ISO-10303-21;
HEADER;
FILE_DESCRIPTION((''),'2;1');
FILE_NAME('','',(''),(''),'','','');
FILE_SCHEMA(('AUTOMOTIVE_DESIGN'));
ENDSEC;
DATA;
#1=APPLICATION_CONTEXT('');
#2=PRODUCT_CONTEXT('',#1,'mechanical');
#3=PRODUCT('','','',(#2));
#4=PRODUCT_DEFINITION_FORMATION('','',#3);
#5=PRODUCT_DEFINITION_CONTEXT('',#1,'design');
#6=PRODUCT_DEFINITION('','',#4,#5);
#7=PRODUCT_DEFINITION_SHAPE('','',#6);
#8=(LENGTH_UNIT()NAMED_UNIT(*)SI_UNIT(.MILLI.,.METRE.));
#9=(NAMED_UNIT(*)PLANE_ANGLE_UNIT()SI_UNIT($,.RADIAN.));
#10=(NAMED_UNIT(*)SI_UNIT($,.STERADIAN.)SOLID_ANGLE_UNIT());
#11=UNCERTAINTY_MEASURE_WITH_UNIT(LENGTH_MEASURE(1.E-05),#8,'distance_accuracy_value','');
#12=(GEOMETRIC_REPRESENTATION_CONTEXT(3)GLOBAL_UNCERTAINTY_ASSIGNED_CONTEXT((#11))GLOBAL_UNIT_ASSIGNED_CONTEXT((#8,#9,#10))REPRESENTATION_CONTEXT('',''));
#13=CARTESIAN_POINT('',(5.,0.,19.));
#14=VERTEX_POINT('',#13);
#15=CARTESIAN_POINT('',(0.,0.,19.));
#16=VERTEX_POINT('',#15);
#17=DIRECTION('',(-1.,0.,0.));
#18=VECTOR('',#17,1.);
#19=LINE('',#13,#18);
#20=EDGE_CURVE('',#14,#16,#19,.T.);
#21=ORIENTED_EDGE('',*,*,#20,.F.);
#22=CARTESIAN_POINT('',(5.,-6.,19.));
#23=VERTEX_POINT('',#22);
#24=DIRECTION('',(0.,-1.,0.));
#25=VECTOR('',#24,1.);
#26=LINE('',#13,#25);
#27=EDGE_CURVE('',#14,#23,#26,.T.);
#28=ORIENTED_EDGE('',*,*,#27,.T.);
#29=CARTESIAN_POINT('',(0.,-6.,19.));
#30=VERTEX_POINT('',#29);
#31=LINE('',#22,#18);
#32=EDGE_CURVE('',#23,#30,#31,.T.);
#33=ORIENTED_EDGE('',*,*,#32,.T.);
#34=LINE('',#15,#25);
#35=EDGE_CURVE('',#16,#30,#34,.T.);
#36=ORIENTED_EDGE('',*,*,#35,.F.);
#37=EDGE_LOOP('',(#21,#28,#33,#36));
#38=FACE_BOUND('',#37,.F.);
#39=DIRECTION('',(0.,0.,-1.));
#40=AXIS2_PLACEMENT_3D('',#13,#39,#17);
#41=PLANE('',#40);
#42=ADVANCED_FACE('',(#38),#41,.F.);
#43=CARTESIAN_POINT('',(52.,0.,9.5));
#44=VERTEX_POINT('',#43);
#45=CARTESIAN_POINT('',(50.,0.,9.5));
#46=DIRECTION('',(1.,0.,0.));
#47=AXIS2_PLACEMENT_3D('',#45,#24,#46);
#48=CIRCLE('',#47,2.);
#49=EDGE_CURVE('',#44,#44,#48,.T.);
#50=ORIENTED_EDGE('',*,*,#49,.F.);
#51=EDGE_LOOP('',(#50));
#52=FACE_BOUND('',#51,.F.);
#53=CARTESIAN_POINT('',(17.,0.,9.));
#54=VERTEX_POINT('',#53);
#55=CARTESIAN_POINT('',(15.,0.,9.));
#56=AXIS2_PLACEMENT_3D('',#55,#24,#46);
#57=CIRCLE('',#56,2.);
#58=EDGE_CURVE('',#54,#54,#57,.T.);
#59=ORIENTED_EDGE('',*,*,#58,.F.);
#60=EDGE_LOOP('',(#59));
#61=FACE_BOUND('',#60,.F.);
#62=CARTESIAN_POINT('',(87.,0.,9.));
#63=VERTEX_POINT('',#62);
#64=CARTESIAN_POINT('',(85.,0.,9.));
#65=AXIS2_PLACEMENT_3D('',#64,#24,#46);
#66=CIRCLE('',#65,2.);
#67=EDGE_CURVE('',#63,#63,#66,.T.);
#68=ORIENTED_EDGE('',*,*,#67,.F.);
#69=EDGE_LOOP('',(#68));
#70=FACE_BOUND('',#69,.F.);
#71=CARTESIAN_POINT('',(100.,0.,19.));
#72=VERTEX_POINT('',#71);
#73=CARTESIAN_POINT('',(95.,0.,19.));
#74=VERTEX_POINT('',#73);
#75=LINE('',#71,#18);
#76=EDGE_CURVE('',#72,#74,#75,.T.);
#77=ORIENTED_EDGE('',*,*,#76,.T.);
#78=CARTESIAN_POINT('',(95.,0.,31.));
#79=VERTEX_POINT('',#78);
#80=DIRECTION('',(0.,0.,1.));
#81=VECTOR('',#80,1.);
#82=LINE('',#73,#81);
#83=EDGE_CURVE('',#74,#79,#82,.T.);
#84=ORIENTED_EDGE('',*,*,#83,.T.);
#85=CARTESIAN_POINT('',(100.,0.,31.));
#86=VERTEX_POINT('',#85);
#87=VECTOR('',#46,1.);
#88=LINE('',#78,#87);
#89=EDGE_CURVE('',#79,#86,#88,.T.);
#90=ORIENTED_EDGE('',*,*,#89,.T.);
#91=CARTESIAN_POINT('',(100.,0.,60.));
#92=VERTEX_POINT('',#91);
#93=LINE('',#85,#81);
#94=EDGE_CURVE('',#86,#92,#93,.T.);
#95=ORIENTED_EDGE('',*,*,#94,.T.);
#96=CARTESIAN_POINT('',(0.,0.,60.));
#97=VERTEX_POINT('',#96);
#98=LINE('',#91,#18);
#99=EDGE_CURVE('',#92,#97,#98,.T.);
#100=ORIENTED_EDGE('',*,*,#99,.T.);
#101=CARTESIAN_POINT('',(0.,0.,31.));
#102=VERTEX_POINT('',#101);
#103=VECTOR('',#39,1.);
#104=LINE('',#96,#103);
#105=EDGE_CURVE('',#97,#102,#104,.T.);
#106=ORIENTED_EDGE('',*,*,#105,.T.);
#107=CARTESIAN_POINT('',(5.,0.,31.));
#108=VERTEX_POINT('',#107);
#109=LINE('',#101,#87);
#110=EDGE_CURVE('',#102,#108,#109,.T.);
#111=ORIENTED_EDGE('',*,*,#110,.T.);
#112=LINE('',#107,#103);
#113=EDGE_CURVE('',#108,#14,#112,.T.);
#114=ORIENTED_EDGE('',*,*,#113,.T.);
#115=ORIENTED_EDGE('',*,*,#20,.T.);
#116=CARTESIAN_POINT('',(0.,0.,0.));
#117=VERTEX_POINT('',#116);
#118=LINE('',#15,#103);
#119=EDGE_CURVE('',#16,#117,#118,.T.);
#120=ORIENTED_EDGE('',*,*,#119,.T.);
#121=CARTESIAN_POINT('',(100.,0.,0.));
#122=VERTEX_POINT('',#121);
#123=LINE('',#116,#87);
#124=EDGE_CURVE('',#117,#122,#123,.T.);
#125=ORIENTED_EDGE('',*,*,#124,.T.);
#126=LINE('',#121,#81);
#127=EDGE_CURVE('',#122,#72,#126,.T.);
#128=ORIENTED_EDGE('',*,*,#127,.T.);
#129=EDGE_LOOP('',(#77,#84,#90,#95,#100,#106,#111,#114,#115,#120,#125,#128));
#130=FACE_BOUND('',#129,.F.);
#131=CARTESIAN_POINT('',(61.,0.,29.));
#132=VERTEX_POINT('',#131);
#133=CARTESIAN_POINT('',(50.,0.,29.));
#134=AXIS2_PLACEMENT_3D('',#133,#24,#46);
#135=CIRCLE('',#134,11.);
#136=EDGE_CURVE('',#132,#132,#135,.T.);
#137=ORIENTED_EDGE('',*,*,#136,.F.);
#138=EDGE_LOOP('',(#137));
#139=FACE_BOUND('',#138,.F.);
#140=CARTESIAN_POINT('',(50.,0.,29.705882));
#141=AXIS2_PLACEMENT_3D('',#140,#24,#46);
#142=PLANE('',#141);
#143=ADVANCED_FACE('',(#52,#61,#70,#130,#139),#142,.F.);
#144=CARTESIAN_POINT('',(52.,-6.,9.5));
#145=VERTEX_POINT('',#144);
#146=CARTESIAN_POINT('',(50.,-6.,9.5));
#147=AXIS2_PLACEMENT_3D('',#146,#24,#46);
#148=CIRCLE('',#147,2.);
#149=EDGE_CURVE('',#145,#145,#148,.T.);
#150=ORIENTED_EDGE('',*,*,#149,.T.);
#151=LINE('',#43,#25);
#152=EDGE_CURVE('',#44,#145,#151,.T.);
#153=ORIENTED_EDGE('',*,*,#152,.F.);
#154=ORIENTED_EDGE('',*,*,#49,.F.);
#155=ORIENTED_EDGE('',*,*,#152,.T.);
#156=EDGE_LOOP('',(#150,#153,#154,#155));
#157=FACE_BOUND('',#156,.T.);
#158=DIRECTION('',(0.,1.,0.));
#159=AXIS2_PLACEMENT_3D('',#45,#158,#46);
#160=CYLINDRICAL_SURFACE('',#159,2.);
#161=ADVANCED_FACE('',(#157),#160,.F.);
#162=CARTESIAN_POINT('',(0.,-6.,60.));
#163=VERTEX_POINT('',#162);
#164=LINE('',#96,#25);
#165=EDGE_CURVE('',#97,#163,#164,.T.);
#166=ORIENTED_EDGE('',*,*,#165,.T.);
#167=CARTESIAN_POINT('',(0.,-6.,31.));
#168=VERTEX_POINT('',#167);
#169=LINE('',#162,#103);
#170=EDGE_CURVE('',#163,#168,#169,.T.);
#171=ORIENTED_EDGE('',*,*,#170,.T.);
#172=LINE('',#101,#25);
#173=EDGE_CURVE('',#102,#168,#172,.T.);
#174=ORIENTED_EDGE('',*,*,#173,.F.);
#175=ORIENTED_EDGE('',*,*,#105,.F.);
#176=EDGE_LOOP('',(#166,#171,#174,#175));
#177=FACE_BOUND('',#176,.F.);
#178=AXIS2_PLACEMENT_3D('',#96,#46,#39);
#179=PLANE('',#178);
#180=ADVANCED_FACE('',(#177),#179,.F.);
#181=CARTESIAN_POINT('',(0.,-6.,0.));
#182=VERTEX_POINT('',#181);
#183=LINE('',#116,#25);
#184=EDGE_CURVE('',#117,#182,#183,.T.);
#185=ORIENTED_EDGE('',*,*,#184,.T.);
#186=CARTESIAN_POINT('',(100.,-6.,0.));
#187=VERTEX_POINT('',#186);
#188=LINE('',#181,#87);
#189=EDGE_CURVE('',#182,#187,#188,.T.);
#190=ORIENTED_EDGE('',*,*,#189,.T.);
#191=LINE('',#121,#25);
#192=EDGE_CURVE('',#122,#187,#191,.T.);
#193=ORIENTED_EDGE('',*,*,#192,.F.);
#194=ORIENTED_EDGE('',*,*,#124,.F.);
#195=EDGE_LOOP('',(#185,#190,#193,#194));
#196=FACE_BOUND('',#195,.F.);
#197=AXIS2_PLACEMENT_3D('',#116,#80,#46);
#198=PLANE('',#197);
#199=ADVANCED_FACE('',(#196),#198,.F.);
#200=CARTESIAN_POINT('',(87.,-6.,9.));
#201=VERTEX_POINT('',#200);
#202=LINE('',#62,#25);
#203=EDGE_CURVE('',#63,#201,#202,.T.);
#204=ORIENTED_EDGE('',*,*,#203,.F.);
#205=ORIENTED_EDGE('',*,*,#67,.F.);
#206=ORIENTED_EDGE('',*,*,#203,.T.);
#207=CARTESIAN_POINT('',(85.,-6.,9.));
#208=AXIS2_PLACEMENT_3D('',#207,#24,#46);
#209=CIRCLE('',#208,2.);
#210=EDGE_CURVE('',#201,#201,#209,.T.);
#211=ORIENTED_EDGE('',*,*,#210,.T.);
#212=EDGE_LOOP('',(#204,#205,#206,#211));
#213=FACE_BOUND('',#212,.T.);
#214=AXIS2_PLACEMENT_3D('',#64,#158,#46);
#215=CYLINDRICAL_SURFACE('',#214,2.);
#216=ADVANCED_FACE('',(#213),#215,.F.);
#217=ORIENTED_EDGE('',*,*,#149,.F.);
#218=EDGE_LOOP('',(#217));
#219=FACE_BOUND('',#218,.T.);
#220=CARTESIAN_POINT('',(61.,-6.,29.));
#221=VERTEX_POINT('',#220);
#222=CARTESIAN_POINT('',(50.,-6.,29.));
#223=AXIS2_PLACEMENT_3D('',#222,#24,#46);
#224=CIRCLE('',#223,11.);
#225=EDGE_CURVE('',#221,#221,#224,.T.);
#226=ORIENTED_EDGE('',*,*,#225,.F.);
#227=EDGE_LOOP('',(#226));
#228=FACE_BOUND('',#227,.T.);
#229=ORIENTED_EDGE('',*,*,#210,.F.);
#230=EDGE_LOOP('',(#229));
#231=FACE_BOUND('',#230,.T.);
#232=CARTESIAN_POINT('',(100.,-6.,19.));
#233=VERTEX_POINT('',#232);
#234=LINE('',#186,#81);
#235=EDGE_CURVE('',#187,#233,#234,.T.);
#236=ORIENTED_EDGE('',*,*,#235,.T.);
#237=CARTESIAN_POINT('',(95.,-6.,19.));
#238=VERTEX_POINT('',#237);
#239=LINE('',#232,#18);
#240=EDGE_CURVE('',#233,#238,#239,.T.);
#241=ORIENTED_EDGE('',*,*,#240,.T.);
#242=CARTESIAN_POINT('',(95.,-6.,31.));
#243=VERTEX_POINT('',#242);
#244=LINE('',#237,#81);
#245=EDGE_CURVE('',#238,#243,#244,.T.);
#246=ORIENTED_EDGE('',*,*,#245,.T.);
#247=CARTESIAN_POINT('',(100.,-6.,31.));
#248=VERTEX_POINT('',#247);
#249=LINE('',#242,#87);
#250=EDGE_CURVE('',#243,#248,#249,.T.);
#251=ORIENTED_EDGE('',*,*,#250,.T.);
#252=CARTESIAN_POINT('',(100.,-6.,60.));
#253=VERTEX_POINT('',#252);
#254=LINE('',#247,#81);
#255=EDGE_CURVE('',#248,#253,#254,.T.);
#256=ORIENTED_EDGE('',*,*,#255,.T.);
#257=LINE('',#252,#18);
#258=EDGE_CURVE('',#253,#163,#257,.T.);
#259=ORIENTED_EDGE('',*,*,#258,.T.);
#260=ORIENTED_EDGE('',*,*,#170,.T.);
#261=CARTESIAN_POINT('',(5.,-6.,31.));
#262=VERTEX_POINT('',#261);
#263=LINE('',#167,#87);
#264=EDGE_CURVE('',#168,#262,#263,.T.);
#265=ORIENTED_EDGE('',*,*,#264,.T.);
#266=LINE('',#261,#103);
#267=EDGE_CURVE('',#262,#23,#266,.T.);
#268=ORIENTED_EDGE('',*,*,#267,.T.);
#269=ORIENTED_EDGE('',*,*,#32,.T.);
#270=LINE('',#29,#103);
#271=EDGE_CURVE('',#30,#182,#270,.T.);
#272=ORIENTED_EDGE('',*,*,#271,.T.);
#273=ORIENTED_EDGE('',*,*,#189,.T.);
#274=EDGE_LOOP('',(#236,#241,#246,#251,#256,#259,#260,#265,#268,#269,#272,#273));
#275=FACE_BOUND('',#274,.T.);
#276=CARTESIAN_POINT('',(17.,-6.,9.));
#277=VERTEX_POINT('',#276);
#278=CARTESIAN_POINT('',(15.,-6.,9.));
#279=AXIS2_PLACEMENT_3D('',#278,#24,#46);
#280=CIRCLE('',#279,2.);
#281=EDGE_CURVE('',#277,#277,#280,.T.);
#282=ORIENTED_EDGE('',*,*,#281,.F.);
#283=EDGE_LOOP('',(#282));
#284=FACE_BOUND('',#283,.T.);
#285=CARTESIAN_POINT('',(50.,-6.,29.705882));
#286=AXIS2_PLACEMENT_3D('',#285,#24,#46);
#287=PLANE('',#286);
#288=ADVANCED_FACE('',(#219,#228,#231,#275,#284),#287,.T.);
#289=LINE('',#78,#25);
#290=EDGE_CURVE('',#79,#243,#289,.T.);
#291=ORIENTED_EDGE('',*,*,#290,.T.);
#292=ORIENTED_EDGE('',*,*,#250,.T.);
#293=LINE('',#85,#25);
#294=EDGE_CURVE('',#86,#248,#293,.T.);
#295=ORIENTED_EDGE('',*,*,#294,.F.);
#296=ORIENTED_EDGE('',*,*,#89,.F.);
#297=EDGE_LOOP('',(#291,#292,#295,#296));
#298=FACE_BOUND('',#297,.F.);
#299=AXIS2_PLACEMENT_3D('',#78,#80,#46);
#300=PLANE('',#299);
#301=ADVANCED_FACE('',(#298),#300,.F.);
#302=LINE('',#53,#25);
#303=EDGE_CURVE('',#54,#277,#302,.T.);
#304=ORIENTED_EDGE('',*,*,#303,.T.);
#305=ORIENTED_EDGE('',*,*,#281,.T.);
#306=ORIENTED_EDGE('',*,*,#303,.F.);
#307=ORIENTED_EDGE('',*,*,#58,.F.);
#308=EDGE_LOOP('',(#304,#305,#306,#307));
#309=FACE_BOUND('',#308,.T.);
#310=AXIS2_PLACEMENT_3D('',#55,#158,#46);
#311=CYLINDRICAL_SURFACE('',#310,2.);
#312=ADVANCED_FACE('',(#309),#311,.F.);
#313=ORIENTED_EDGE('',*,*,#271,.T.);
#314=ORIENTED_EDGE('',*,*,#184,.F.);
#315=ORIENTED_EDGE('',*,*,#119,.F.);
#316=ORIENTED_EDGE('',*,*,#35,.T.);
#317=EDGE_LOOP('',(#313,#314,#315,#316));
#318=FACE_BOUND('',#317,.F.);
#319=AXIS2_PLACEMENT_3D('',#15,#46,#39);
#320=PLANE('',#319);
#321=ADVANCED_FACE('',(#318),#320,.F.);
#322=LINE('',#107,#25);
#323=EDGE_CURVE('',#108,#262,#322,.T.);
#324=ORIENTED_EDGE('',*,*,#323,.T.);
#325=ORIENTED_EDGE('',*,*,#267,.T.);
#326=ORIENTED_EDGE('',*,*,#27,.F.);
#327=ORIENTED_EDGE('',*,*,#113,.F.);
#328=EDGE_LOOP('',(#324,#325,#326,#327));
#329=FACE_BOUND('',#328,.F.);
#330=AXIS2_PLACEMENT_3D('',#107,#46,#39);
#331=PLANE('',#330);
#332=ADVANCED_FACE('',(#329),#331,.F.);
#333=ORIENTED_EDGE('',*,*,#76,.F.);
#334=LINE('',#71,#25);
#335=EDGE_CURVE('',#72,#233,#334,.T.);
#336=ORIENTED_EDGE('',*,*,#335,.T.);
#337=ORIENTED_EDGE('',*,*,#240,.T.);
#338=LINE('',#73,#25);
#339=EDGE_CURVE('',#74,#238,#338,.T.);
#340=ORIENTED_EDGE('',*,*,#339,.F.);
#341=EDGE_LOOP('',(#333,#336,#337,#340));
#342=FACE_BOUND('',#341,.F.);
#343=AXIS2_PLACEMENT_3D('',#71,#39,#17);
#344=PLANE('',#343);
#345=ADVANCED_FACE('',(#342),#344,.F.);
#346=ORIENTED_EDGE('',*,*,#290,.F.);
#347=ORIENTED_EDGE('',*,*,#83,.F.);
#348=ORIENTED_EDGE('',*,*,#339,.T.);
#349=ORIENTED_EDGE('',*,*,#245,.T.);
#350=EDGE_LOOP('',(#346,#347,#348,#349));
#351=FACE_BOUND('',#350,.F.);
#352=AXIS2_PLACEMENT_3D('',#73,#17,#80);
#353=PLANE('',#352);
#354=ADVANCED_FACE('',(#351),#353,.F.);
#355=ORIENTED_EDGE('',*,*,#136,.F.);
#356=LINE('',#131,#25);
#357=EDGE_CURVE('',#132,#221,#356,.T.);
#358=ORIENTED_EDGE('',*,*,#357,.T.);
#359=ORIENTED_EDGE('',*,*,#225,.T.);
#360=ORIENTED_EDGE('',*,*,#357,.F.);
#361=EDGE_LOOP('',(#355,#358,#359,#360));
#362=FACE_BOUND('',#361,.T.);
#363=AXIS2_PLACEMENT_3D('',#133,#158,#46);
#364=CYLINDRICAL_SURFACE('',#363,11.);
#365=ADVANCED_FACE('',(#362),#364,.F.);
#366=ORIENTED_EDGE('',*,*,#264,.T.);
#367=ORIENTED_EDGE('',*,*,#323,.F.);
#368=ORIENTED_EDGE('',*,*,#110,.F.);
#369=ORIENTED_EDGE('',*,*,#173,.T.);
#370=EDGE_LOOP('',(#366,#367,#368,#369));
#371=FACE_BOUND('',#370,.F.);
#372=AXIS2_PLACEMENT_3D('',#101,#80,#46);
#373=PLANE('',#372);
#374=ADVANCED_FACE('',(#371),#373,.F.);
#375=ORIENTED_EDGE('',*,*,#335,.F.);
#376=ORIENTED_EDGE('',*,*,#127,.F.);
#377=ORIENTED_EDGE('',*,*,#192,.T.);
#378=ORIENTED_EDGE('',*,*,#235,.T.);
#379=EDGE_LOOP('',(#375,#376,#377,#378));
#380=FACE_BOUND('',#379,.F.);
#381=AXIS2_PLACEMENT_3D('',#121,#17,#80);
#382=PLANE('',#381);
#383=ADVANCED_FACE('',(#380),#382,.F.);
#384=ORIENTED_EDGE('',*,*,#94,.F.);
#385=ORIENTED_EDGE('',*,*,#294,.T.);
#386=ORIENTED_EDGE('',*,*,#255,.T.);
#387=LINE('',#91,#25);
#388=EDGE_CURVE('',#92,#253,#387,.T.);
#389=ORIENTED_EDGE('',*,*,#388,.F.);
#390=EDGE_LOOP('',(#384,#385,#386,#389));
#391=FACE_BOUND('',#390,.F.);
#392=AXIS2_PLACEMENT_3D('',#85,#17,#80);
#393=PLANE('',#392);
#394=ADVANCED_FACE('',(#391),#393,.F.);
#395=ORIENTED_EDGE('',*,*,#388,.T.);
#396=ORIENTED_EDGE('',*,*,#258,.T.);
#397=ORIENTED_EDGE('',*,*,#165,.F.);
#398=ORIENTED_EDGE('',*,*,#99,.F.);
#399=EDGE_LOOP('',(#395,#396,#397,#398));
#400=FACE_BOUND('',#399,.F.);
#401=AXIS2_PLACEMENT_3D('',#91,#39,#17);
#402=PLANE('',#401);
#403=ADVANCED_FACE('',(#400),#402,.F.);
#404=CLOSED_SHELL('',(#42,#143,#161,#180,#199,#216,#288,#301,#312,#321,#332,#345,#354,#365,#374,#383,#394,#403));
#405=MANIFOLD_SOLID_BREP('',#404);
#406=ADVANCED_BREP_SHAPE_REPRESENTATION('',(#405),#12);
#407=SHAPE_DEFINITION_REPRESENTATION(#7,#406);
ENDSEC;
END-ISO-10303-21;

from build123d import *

# Parameters (mm, degrees)
F0_R     = 2
F0_R_2   = 11
F1_DEPTH = 6


with BuildPart() as f1:
    # F0 (on Front) → F1 (new body)
    with BuildSketch(Plane.XZ):
        Polygon((100, 60), (0, 60), (0, 31), (5, 31), (5, 19), (0, 19), (0, 0), (100, 0), (100, 19), (95, 19), (95, 31), (100, 31), align=None)
        with Locations((15, 9)):
            Circle(F0_R, mode=Mode.SUBTRACT)
        with Locations((50, 9.5)):
            Circle(F0_R, mode=Mode.SUBTRACT)
        with Locations((85, 9)):
            Circle(F0_R, mode=Mode.SUBTRACT)
        with Locations((50, 29)):
            Circle(F0_R_2, mode=Mode.SUBTRACT)
    extrude(amount=F1_DEPTH)


solid = f1.part
